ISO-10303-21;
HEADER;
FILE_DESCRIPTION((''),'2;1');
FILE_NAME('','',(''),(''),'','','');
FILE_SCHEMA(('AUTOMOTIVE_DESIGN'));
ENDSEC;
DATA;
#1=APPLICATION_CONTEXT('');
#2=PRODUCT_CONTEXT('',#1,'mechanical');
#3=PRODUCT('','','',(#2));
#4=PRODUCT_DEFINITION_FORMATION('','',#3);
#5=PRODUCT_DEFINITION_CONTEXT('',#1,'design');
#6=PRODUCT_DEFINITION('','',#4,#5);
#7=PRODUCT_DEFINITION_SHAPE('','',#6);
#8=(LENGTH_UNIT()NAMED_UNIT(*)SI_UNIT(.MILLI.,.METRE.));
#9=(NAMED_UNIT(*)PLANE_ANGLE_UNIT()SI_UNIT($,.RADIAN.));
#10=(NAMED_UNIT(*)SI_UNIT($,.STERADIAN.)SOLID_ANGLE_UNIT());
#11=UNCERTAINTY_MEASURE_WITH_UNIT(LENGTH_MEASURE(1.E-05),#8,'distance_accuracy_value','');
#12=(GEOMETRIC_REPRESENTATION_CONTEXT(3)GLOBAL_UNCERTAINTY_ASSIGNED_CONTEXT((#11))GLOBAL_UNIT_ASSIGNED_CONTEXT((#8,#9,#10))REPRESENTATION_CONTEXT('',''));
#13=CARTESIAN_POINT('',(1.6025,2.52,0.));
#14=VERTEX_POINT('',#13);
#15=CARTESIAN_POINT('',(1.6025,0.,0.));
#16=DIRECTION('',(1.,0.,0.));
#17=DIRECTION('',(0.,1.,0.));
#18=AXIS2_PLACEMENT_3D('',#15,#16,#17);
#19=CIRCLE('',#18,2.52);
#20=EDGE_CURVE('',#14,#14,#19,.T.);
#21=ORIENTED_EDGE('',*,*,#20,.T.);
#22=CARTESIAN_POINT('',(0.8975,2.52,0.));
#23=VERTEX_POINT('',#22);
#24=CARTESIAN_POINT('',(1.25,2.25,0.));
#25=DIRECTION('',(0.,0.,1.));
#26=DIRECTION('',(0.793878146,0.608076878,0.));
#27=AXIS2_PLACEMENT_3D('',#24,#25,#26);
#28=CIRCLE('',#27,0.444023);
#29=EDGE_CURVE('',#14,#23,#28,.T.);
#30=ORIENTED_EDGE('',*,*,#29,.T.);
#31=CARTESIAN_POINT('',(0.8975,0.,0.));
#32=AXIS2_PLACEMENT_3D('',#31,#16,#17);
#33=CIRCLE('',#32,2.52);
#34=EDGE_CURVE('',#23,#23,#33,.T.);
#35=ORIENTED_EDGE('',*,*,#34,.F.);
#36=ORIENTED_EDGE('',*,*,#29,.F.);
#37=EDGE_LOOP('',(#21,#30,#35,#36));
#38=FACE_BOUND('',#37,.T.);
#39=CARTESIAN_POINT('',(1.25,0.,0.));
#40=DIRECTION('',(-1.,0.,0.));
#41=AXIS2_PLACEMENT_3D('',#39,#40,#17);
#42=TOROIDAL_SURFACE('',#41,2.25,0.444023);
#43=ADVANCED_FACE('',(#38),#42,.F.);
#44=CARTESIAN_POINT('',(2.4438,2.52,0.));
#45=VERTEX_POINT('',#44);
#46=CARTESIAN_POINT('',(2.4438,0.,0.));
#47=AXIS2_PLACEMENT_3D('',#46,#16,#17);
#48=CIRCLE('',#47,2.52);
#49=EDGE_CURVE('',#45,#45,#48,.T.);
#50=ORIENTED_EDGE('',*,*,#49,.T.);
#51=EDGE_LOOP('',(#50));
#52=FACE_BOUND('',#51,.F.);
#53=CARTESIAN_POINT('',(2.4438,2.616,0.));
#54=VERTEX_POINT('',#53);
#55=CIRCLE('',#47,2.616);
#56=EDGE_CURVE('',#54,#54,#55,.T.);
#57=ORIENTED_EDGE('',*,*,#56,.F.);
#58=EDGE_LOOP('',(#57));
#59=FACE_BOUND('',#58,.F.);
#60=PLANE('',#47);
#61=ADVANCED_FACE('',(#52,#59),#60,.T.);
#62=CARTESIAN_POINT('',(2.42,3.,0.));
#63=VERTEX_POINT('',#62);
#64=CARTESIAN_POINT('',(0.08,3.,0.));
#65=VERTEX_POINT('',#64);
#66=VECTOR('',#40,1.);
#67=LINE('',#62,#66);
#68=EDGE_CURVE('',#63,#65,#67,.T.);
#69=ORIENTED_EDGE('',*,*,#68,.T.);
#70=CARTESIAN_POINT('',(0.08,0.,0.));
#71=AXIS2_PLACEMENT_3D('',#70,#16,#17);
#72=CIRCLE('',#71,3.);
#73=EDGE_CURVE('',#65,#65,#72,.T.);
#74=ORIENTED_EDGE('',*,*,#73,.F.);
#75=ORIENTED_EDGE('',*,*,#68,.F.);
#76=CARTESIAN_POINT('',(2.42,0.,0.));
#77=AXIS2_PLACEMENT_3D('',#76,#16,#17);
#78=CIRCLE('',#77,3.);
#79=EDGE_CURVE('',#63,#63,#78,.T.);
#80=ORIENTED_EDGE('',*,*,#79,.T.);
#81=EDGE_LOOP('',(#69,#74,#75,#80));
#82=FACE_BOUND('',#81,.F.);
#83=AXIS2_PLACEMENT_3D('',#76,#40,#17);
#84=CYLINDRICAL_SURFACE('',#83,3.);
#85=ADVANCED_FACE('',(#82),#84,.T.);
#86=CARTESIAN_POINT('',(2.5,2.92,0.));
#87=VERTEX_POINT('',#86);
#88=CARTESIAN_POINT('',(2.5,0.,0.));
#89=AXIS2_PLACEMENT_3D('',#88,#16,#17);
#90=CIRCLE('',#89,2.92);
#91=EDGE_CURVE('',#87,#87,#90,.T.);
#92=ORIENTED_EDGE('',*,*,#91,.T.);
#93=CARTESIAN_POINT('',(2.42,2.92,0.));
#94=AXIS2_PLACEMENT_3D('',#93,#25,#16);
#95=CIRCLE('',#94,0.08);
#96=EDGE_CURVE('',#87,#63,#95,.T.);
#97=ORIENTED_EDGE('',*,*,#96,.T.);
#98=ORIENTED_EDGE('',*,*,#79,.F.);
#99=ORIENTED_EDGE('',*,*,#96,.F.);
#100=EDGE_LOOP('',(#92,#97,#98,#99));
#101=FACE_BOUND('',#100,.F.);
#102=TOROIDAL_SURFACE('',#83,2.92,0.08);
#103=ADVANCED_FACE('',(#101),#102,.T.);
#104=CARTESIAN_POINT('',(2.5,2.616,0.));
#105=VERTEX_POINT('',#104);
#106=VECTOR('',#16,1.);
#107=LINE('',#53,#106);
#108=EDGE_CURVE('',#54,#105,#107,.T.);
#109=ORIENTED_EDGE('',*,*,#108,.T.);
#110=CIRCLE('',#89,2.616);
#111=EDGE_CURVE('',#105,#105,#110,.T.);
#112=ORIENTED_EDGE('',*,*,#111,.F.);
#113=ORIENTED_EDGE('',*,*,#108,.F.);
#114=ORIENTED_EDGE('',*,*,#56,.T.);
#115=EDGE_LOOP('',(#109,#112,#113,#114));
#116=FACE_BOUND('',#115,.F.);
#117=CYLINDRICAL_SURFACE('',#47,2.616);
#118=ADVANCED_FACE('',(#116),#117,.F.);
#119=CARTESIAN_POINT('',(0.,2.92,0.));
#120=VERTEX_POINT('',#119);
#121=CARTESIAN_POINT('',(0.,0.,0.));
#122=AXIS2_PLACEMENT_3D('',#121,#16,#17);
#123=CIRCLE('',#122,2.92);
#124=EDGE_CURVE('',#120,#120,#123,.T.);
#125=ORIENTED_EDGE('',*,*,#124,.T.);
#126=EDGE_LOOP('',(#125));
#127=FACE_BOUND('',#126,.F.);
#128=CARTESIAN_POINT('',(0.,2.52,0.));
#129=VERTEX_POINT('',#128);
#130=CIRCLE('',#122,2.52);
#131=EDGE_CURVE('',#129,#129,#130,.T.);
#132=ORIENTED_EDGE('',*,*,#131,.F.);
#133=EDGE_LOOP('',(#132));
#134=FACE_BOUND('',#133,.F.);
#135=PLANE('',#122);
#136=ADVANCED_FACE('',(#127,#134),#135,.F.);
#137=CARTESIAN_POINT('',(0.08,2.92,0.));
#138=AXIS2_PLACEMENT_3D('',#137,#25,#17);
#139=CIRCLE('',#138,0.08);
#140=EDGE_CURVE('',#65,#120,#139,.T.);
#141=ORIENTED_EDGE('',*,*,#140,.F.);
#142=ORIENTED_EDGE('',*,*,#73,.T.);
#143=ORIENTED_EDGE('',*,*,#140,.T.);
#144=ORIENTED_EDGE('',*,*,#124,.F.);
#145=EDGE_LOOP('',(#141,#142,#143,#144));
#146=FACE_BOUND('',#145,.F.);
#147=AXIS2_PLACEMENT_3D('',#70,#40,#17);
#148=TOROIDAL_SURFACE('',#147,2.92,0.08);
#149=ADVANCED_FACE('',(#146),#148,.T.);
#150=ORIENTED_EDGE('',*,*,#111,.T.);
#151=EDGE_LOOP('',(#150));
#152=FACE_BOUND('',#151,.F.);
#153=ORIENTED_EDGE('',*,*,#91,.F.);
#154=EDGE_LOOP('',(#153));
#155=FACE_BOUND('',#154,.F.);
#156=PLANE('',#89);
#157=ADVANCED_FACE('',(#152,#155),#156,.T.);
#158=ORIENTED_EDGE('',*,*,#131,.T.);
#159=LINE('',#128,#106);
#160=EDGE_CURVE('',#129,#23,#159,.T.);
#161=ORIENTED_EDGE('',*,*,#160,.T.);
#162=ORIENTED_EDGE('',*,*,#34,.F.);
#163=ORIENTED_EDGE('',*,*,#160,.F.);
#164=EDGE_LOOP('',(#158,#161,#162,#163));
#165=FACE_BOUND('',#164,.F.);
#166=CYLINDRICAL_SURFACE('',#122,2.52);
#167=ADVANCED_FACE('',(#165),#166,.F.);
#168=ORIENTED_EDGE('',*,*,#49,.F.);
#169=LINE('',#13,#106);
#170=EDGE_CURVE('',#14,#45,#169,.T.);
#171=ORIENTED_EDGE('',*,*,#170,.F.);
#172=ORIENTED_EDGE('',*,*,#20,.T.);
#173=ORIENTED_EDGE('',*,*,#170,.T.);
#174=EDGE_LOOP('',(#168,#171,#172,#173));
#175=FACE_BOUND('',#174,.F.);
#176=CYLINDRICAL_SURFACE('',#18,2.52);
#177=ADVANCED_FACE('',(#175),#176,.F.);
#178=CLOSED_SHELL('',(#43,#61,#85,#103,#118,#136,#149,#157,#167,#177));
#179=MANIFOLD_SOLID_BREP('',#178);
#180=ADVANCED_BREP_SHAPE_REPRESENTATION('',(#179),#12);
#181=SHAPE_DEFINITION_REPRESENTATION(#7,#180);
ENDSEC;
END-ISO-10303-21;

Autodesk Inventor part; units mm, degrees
sketch "Sketch_2" plane through (0, 0, 0) normal (0, 0, 1) x (1, 0, 0)
  line L0 (2.5, 0) -> (0, 0)
  line L1 (0, 2.92) -> (0, 2.52)
  line L2 (0, 2.52) -> (0.8975, 2.52)
  arc A0 (1.6025, 2.52) -> (0.8975, 2.52) centre (1.25, 2.25) ccw
  line L3 (1.6025, 2.52) -> (2.4438, 2.52)
  line L4 (2.4438, 2.52) -> (2.4438, 2.616)
  line L5 (2.4438, 2.616) -> (2.5, 2.616)
  line L6 (2.5, 2.616) -> (2.5, 2.92)
  arc A1 (2.5, 2.92) -> (2.42, 3) centre (2.42, 2.92) ccw
  line L7 (2.42, 3) -> (0.08, 3)
  arc A2 (0.08, 3) -> (0, 2.92) centre (0.08, 2.92) ccw
revolve "Revolution1" add sketch "Sketch_2" angle 360 about axis through (2.5, 0, 0) along (1, 0, 0)
ref_plane "mss_or_XY" through (0, 0, 0) normal (1, 0, 0) x (0, 0, -1)
ref_plane "mss_or_YZ" through (0, 0, 0) normal (0, 0, -1) x (0, 1, 0)
ref_plane "mss_or_ZX" through (0, 0, 0) normal (0, 1, 0) x (1, 0, 0)
ref_plane "mss_or11_XY" through (2.5, 0, 0) normal (1, 0, 0) x (0, 0, -1)
ref_plane "mss_or11_YZ" through (2.5, 0, 0) normal (0, 0, -1) x (0, 1, 0)
ref_plane "mss_or11_ZX" through (2.5, 0, 0) normal (0, 1, 0) x (1, 0, 0)
ref_plane "mss_or2_1_XY" through (1, 2.25, 0) normal (1, 0, 0) x (0, 0, -1)
ref_plane "mss_or2_1_YZ" through (1, 2.25, 0) normal (0, 0, -1) x (0, 1, 0)
ref_plane "mss_or2_1_ZX" through (1, 2.25, 0) normal (0, 1, 0) x (1, 0, 0)
ref_plane "mss_or2_2_XY" through (1, 1.7236, 1.4463) normal (1, 0, 0) x (0, 0, -1)
ref_plane "mss_or2_2_YZ" through (1, 1.7236, 1.4463) normal (0, 0, -1) x (0, 1, 0)
ref_plane "mss_or2_2_ZX" through (1, 1.7236, 1.4463) normal (0, 1, 0) x (1, 0, 0)
ref_plane "mss_or2_3_XY" through (1, 0.3907, 2.2158) normal (1, 0, 0) x (0, 0, -1)
ref_plane "mss_or2_3_YZ" through (1, 0.3907, 2.2158) normal (0, 0, -1) x (0, 1, 0)
ref_plane "mss_or2_3_ZX" through (1, 0.3907, 2.2158) normal (0, 1, 0) x (1, 0, 0)
ref_plane "mss_or2_4_XY" through (1, -1.125, 1.9486) normal (1, 0, 0) x (0, 0, -1)
ref_plane "mss_or2_4_YZ" through (1, -1.125, 1.9486) normal (0, 0, -1) x (0, 1, 0)
ref_plane "mss_or2_4_ZX" through (1, -1.125, 1.9486) normal (0, 1, 0) x (1, 0, 0)
ref_plane "mss_or2_5_XY" through (1, -2.1143, 0.7695) normal (1, 0, 0) x (0, 0, -1)
ref_plane "mss_or2_5_YZ" through (1, -2.1143, 0.7695) normal (0, 0, -1) x (0, 1, 0)
ref_plane "mss_or2_5_ZX" through (1, -2.1143, 0.7695) normal (0, 1, 0) x (1, 0, 0)
ref_plane "mss_or2_6_XY" through (1, -2.1143, -0.7695) normal (1, 0, 0) x (0, 0, -1)
ref_plane "mss_or2_6_YZ" through (1, -2.1143, -0.7695) normal (0, 0, -1) x (0, 1, 0)
ref_plane "mss_or2_6_ZX" through (1, -2.1143, -0.7695) normal (0, 1, 0) x (1, 0, 0)
ref_plane "mss_or2_7_XY" through (1, -1.125, -1.9486) normal (1, 0, 0) x (0, 0, -1)
ref_plane "mss_or2_7_YZ" through (1, -1.125, -1.9486) normal (0, 0, -1) x (0, 1, 0)
ref_plane "mss_or2_7_ZX" through (1, -1.125, -1.9486) normal (0, 1, 0) x (1, 0, 0)
ref_plane "mss_or2_8_XY" through (1, 0.3907, -2.2158) normal (1, 0, 0) x (0, 0, -1)
ref_plane "mss_or2_8_YZ" through (1, 0.3907, -2.2158) normal (0, 0, -1) x (0, 1, 0)
ref_plane "mss_or2_8_ZX" through (1, 0.3907, -2.2158) normal (0, 1, 0) x (1, 0, 0)
ref_plane "mss_or2_9_XY" through (1, 1.7236, -1.4463) normal (1, 0, 0) x (0, 0, -1)
ref_plane "mss_or2_9_YZ" through (1, 1.7236, -1.4463) normal (0, 0, -1) x (0, 1, 0)
ref_plane "mss_or2_9_ZX" through (1, 1.7236, -1.4463) normal (0, 1, 0) x (1, 0, 0)
ref_plane "mss_or21_1_XY" through (1.25, 2.25, 0) normal (1, 0, 0) x (0, 0, -1)
ref_plane "mss_or21_1_YZ" through (1.25, 2.25, 0) normal (0, 0, -1) x (0, 1, 0)
ref_plane "mss_or21_1_ZX" through (1.25, 2.25, 0) normal (0, 1, 0) x (1, 0, 0)
ref_plane "mss_or21_2_XY" through (1.25, 1.7236, 1.4463) normal (1, 0, 0) x (0, 0, -1)
ref_plane "mss_or21_2_YZ" through (1.25, 1.7236, 1.4463) normal (0, 0, -1) x (0, 1, 0)
ref_plane "mss_or21_2_ZX" through (1.25, 1.7236, 1.4463) normal (0, 1, 0) x (1, 0, 0)
ref_plane "mss_or21_3_XY" through (1.25, 0.3907, 2.2158) normal (1, 0, 0) x (0, 0, -1)
ref_plane "mss_or21_3_YZ" through (1.25, 0.3907, 2.2158) normal (0, 0, -1) x (0, 1, 0)
ref_plane "mss_or21_3_ZX" through (1.25, 0.3907, 2.2158) normal (0, 1, 0) x (1, 0, 0)
ref_plane "mss_or21_4_XY" through (1.25, -1.125, 1.9486) normal (1, 0, 0) x (0, 0, -1)
ref_plane "mss_or21_4_YZ" through (1.25, -1.125, 1.9486) normal (0, 0, -1) x (0, 1, 0)
ref_plane "mss_or21_4_ZX" through (1.25, -1.125, 1.9486) normal (0, 1, 0) x (1, 0, 0)
ref_plane "mss_or21_5_XY" through (1.25, -2.1143, 0.7695) normal (1, 0, 0) x (0, 0, -1)
ref_plane "mss_or21_5_YZ" through (1.25, -2.1143, 0.7695) normal (0, 0, -1) x (0, 1, 0)
ref_plane "mss_or21_5_ZX" through (1.25, -2.1143, 0.7695) normal (0, 1, 0) x (1, 0, 0)
ref_plane "mss_or21_6_XY" through (1.25, -2.1143, -0.7695) normal (1, 0, 0) x (0, 0, -1)
ref_plane "mss_or21_6_YZ" through (1.25, -2.1143, -0.7695) normal (0, 0, -1) x (0, 1, 0)
ref_plane "mss_or21_6_ZX" through (1.25, -2.1143, -0.7695) normal (0, 1, 0) x (1, 0, 0)
ref_plane "mss_or21_7_XY" through (1.25, -1.125, -1.9486) normal (1, 0, 0) x (0, 0, -1)
ref_plane "mss_or21_7_YZ" through (1.25, -1.125, -1.9486) normal (0, 0, -1) x (0, 1, 0)
ref_plane "mss_or21_7_ZX" through (1.25, -1.125, -1.9486) normal (0, 1, 0) x (1, 0, 0)
ref_plane "mss_or21_8_XY" through (1.25, 0.3907, -2.2158) normal (1, 0, 0) x (0, 0, -1)
ref_plane "mss_or21_8_YZ" through (1.25, 0.3907, -2.2158) normal (0, 0, -1) x (0, 1, 0)
ref_plane "mss_or21_8_ZX" through (1.25, 0.3907, -2.2158) normal (0, 1, 0) x (1, 0, 0)
ref_plane "mss_or21_9_XY" through (1.25, 1.7236, -1.4463) normal (1, 0, 0) x (0, 0, -1)
ref_plane "mss_or21_9_YZ" through (1.25, 1.7236, -1.4463) normal (0, 0, -1) x (0, 1, 0)
ref_plane "mss_or21_9_ZX" through (1.25, 1.7236, -1.4463) normal (0, 1, 0) x (1, 0, 0)
properties part number "WA673SA Outer ring"
